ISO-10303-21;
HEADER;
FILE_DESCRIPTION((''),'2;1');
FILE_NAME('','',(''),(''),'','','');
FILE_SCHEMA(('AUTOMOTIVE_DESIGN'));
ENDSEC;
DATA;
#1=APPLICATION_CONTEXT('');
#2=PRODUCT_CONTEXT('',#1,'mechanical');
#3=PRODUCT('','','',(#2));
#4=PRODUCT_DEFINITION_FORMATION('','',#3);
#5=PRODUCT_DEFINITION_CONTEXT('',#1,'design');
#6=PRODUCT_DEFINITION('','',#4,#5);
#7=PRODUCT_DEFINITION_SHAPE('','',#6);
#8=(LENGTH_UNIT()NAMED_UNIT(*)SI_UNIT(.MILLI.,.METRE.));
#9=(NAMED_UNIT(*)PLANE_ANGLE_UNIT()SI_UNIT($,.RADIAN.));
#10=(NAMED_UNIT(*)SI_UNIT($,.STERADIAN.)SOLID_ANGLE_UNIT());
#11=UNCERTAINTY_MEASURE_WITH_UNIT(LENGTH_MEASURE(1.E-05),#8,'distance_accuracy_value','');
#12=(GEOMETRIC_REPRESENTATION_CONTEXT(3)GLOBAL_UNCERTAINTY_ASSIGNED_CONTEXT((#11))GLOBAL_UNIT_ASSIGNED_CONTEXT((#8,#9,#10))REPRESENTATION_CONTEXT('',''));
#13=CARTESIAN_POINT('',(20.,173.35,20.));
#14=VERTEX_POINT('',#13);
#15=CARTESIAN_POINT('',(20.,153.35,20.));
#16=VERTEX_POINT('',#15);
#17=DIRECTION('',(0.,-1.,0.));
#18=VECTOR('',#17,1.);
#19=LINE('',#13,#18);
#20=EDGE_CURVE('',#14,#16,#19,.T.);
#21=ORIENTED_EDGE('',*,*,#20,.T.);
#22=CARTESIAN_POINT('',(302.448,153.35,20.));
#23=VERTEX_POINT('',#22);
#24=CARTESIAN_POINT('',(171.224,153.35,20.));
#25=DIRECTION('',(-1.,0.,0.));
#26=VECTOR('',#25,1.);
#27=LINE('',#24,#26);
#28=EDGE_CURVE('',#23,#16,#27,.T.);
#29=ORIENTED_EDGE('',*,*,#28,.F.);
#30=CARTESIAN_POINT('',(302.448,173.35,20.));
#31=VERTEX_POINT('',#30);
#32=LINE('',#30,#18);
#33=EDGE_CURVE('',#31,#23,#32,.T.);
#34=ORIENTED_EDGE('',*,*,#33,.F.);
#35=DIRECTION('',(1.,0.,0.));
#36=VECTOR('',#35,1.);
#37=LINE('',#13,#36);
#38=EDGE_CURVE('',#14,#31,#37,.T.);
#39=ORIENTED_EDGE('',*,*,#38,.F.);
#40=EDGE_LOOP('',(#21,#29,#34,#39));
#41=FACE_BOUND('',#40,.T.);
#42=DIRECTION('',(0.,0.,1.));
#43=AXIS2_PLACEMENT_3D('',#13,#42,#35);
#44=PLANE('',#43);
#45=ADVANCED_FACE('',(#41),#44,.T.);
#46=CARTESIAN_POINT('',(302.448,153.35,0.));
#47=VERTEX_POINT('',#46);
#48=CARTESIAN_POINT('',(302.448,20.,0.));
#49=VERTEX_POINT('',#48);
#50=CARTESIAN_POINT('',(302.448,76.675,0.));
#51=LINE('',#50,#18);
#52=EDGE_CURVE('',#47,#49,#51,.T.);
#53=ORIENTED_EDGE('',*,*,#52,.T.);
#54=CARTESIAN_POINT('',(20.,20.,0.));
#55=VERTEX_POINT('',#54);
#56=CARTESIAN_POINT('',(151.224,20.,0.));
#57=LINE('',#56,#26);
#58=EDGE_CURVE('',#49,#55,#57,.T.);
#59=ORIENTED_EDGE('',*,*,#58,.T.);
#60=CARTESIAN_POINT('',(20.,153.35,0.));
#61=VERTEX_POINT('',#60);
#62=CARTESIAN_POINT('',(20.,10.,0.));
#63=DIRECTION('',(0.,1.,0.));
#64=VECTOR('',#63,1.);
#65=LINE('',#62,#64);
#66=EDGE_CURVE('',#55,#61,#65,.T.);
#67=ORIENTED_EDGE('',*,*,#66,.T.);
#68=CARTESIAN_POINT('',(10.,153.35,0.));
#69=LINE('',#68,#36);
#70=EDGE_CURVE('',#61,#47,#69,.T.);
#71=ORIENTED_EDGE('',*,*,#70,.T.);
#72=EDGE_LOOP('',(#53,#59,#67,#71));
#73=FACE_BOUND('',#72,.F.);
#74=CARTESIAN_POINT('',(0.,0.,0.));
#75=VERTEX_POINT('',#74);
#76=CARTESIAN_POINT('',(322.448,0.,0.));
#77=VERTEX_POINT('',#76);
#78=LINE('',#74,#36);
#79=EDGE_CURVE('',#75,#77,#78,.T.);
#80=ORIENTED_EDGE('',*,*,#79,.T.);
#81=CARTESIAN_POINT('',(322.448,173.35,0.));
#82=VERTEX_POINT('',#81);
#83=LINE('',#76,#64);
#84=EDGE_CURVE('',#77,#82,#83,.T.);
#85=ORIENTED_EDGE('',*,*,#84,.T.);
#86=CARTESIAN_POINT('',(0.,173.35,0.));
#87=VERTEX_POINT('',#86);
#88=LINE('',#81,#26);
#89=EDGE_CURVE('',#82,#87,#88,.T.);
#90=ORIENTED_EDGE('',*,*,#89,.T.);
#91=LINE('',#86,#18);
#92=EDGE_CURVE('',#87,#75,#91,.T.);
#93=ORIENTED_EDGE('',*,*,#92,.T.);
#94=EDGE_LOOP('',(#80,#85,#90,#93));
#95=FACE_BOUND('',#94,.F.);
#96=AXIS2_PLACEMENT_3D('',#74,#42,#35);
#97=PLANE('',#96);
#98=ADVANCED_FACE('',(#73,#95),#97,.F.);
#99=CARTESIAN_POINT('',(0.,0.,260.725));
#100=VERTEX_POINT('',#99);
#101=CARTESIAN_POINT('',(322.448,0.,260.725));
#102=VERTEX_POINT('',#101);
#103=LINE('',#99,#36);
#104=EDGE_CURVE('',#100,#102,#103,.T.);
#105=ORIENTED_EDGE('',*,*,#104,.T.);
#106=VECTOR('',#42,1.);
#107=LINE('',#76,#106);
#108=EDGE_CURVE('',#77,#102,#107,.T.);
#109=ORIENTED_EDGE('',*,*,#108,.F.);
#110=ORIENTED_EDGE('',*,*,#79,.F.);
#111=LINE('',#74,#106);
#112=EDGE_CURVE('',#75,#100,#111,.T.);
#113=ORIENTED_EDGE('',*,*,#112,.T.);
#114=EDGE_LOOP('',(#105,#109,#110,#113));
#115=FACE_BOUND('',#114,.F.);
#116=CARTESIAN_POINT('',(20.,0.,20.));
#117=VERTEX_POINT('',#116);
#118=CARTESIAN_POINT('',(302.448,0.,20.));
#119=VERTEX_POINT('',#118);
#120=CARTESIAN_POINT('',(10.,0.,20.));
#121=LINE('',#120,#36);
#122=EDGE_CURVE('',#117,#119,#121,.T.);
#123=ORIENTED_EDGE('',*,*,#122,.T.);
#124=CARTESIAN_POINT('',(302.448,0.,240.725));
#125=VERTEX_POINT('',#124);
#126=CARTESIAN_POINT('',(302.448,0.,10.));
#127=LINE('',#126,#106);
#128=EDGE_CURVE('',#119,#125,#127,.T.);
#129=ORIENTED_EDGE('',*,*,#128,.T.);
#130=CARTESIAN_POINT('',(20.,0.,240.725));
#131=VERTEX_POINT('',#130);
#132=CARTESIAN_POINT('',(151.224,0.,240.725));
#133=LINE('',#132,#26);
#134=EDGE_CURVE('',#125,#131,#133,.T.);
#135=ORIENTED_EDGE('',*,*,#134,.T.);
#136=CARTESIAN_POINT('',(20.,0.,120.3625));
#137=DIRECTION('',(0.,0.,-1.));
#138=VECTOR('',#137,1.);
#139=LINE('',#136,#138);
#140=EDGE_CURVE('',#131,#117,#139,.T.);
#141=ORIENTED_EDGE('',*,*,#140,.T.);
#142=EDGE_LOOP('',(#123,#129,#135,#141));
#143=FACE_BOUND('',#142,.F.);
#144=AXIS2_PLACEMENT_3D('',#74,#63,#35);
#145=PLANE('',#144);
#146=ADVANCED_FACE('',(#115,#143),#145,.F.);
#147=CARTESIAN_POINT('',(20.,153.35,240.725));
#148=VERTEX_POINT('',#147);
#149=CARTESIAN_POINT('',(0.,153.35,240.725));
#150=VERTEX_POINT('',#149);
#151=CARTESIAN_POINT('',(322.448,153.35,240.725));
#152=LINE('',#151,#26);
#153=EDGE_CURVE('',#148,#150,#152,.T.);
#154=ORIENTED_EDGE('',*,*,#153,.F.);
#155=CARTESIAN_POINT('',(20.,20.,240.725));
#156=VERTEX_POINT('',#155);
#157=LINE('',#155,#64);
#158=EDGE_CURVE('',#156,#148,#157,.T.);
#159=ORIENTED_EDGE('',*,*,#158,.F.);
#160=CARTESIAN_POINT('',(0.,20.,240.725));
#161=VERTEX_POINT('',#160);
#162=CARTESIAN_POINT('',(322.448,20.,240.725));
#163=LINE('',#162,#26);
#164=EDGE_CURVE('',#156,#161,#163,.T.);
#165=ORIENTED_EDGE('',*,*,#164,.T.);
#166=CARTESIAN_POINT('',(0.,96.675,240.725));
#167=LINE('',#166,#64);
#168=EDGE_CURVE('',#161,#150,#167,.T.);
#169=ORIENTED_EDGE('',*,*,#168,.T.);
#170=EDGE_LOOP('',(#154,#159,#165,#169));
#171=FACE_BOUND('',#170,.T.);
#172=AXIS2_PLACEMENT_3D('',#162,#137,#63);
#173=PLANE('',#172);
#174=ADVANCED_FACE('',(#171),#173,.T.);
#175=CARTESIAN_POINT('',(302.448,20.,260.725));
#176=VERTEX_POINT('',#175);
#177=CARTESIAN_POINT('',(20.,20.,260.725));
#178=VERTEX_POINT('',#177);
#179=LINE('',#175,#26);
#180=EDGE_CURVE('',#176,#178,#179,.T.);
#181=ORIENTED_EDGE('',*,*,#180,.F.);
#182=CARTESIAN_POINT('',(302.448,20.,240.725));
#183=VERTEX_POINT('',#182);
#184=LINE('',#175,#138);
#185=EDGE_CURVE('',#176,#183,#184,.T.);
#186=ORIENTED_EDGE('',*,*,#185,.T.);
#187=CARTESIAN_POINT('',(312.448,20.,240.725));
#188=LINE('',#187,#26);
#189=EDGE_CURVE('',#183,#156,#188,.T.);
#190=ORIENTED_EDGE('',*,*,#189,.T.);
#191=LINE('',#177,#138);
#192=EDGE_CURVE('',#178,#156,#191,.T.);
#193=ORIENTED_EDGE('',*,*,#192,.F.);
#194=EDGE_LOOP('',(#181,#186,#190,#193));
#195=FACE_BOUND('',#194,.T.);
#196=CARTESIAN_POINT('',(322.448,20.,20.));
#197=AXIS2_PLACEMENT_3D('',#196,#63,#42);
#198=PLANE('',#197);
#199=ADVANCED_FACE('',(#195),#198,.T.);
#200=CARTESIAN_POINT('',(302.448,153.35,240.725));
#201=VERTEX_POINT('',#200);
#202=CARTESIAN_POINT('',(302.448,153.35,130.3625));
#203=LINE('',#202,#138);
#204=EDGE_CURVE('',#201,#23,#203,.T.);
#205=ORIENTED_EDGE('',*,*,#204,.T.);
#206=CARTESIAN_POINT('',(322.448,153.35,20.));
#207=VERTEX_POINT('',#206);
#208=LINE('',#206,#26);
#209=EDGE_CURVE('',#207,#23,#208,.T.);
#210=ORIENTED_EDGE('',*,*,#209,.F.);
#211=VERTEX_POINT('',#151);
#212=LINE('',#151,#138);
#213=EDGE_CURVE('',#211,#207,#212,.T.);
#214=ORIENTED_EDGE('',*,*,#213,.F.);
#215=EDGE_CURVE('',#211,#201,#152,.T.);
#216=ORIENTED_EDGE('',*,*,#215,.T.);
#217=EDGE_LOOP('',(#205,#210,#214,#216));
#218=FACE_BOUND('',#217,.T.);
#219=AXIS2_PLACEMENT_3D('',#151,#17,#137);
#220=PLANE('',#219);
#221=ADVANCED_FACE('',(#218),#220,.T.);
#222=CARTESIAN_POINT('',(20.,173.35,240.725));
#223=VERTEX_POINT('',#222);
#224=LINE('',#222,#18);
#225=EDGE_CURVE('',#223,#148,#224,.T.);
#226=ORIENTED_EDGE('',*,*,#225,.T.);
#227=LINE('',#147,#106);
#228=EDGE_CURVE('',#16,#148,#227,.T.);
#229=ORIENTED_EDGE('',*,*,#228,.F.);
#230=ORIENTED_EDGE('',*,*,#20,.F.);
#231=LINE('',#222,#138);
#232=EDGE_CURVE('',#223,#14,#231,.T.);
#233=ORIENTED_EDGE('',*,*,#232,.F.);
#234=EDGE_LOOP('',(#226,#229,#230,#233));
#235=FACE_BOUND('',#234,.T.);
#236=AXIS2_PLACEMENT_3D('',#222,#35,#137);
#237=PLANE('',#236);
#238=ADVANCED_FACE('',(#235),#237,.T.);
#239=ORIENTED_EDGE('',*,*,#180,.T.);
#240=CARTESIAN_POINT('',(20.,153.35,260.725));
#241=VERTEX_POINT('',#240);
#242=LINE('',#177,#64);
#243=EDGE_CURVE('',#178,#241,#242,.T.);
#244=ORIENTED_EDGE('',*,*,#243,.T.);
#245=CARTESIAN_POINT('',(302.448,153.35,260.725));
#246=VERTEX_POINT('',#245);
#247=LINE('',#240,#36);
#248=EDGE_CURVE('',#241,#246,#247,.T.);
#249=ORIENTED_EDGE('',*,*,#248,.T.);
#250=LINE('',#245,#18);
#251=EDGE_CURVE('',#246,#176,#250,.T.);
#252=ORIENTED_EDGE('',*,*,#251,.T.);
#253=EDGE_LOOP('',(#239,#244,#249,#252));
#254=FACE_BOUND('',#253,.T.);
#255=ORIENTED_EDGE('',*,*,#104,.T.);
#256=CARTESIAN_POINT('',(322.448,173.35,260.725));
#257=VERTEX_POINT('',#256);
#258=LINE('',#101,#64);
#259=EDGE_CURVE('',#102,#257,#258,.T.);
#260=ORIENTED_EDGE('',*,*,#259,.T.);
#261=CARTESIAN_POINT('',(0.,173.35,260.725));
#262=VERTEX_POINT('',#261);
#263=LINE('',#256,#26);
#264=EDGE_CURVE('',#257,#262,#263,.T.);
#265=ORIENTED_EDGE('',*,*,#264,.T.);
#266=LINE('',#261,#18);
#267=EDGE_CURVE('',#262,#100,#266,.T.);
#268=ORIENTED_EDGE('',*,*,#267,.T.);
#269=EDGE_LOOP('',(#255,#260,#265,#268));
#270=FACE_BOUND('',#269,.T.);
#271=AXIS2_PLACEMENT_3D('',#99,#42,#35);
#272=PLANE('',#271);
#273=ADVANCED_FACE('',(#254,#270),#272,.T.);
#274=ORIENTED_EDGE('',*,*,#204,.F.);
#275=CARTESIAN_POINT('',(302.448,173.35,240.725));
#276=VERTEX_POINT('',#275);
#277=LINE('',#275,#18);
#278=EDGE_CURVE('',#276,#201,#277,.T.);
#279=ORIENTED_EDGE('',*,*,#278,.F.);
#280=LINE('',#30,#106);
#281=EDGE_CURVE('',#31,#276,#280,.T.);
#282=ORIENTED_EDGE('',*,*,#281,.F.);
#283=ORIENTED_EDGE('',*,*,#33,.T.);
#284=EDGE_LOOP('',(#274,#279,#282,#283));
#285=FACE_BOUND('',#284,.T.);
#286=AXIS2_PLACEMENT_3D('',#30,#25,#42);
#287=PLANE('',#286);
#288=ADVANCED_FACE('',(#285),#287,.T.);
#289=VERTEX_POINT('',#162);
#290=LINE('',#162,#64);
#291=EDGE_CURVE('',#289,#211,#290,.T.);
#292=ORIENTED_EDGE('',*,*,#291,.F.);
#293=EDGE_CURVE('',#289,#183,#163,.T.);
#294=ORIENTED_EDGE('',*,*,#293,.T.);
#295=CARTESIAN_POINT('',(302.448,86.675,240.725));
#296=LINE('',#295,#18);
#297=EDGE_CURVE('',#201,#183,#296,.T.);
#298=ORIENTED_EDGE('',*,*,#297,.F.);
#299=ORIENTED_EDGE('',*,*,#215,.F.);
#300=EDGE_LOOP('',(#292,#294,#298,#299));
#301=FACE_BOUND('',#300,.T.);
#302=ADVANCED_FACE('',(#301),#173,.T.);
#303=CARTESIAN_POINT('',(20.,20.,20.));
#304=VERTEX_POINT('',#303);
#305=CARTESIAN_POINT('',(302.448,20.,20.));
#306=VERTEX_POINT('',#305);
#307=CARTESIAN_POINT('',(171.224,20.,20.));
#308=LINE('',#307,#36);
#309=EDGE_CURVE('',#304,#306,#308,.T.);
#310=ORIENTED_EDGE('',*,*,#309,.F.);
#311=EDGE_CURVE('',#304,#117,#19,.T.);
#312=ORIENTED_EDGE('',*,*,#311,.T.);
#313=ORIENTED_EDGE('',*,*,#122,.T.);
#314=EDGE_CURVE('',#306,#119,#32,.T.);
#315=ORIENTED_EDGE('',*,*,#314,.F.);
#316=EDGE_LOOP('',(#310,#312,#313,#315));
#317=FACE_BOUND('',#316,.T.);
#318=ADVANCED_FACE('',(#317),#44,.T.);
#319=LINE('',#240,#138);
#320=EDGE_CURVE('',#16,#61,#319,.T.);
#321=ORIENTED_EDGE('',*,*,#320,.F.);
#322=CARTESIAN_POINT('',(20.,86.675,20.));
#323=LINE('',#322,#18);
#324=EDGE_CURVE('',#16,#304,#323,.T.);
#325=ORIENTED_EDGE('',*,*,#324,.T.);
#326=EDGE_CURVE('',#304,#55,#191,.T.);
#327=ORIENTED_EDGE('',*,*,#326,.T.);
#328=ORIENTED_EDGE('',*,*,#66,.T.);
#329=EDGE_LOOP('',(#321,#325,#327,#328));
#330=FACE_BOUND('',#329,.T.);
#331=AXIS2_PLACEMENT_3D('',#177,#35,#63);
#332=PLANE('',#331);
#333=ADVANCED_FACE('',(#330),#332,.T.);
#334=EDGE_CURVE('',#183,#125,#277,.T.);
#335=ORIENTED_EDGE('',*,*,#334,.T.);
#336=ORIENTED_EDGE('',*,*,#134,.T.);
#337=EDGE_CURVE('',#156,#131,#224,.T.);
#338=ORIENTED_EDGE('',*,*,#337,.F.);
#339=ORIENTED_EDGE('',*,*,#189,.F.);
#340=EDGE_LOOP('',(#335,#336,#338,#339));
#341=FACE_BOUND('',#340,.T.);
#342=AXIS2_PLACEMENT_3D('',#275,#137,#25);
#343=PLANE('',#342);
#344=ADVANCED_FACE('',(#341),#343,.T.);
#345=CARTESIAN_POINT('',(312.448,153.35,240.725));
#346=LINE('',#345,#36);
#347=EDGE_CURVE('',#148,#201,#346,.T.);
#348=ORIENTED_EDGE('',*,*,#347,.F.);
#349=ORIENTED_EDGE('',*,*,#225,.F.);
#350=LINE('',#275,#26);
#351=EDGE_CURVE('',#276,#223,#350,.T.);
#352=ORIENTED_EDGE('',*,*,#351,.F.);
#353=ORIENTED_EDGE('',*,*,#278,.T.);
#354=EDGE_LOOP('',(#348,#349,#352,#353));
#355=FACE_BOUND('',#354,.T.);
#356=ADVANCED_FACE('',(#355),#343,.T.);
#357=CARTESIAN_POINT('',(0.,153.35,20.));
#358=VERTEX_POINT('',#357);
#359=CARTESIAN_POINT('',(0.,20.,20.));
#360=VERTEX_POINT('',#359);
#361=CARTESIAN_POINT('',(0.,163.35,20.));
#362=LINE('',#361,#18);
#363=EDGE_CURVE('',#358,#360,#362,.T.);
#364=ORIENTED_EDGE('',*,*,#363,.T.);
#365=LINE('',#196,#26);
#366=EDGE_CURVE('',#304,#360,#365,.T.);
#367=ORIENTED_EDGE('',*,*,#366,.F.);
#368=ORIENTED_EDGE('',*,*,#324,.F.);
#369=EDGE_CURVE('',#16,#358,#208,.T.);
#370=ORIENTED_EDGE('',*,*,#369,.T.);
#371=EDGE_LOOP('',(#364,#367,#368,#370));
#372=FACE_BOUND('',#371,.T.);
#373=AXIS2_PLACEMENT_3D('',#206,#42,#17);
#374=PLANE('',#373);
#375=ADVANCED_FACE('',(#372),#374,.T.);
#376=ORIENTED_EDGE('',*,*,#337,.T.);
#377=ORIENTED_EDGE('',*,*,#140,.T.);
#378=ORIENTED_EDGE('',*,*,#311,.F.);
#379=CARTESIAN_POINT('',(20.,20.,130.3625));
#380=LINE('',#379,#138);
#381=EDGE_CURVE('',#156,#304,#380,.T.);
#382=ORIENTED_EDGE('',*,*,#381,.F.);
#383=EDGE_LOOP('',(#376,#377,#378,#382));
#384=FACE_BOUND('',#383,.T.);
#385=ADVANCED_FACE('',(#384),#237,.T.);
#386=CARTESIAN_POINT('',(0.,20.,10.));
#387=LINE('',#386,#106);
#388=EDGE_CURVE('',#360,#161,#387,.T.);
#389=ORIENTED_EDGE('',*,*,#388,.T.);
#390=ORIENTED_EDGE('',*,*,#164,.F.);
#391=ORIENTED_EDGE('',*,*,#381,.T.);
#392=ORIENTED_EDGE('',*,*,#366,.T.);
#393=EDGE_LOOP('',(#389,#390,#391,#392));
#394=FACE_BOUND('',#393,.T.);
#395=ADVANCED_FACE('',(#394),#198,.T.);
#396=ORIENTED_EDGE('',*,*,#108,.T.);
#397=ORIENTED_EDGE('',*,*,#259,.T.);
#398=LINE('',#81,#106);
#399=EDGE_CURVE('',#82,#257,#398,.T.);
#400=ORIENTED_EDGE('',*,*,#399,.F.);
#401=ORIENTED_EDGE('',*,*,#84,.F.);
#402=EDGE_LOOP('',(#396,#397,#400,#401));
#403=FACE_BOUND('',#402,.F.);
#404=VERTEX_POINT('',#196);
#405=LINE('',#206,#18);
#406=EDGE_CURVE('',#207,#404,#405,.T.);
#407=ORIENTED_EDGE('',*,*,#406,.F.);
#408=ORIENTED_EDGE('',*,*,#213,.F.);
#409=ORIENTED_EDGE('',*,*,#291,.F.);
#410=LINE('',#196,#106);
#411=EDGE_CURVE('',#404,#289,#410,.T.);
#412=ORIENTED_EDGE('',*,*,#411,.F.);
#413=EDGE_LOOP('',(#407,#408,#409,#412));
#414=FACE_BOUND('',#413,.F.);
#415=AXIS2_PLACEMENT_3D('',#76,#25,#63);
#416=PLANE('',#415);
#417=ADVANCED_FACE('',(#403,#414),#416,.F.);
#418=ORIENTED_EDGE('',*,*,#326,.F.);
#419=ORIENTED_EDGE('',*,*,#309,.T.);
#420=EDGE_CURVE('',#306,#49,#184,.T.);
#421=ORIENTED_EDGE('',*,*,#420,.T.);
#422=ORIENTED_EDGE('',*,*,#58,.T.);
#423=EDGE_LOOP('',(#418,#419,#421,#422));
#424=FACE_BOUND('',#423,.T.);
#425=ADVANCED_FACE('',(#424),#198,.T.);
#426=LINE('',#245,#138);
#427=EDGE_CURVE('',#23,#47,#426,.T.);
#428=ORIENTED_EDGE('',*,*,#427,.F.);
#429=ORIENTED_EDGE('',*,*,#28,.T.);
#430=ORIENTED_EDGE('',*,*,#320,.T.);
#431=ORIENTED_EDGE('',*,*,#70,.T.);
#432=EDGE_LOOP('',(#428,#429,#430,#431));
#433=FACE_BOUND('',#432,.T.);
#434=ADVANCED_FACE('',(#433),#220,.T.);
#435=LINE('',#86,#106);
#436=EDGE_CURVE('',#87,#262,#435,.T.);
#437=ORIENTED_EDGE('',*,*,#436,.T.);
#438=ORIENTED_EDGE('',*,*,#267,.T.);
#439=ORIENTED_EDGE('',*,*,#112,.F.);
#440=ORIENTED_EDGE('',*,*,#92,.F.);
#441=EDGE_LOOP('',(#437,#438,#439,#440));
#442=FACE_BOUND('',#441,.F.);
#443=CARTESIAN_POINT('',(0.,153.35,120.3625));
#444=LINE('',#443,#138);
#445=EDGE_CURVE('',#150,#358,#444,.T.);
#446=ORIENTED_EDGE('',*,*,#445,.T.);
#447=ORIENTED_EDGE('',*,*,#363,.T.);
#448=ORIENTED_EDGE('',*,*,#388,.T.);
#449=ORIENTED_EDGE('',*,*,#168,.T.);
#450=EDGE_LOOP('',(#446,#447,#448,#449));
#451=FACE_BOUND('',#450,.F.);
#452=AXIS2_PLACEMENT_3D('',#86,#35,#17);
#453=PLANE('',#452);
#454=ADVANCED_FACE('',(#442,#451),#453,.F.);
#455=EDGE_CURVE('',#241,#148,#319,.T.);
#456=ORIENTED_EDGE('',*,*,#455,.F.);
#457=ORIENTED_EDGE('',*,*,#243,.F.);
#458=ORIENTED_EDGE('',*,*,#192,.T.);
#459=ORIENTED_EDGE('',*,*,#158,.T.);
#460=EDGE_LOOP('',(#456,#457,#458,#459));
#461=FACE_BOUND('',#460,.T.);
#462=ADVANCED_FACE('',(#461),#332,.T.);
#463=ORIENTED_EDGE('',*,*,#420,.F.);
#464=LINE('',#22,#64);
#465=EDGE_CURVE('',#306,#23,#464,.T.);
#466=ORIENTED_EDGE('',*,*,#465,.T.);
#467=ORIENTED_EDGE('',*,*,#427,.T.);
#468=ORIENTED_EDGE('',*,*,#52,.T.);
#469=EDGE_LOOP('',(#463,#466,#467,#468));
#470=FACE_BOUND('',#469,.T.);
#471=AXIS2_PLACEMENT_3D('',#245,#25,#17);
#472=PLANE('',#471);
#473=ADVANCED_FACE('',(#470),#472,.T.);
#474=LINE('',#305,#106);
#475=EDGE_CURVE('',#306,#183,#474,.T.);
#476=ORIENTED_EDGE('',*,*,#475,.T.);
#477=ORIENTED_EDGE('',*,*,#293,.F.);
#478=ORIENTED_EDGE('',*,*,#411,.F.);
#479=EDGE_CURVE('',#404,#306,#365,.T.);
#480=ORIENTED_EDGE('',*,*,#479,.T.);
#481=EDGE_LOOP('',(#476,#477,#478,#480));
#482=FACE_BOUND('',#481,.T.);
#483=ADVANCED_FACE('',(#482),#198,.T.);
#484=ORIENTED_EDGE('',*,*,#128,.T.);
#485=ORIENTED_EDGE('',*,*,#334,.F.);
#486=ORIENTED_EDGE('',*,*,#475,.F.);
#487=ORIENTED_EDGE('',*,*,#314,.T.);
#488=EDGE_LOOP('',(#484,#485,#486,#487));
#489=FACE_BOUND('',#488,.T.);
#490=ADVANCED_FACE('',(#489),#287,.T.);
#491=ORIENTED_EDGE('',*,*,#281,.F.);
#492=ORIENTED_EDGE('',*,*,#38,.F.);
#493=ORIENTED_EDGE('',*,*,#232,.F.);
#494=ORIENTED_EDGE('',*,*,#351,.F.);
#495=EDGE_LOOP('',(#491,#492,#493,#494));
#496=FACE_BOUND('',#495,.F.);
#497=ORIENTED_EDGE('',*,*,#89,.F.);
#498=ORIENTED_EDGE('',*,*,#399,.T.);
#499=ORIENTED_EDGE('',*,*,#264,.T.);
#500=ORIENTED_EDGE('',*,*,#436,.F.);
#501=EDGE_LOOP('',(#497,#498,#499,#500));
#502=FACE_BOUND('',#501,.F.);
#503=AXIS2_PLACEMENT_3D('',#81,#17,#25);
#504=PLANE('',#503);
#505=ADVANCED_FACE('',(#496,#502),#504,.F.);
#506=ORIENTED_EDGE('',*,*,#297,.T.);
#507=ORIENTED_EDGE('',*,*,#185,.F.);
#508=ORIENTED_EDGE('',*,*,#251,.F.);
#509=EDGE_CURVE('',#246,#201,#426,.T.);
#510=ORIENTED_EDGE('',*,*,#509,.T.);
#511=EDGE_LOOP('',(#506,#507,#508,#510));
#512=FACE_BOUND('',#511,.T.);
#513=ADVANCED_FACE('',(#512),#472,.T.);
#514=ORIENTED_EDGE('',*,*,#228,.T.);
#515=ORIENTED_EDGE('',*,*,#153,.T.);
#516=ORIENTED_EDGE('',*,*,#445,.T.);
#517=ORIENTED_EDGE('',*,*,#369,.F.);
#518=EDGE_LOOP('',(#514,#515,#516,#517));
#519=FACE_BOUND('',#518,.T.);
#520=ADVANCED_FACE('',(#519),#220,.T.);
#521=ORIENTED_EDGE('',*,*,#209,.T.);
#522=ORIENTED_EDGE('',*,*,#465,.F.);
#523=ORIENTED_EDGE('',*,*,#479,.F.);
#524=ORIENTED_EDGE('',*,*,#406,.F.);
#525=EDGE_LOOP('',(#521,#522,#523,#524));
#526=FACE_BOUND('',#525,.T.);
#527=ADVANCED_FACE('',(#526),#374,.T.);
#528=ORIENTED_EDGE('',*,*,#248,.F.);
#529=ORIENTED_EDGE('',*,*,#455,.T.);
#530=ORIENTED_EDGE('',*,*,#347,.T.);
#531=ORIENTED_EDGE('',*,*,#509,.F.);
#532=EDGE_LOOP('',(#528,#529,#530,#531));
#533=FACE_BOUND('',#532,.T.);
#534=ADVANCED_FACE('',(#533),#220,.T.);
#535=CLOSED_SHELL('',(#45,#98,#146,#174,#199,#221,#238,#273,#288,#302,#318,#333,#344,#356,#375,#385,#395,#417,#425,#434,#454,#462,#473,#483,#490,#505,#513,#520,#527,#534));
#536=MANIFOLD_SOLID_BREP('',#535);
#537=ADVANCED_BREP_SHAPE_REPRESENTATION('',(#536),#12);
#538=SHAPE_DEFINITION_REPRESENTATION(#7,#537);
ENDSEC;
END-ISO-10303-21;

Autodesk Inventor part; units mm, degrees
ref_plane "YZ Plane" through (0, 0, 0) normal (1, 0, 0) x (0, 1, 0)
ref_plane "XZ Plane" through (0, 0, 0) normal (0, 1, 0) x (-1, 0, 0)
ref_plane "XY Plane" through (0, 0, 0) normal (0, 0, 1) x (1, 0, 0)
sketch "Sketch1" plane through (0, 0, 0) normal (0, 0, 1) x (1, 0, 0)
  line L0 (0, 0) -> (322.448, 0)
  line L1 (322.448, 0) -> (322.448, 173.35)
  line L2 (322.448, 173.35) -> (0, 173.35)
  line L3 (0, 173.35) -> (0, 0)
  dimension "d0" = 322.448
  dimension "d1" = 173.35
extrude "Extrusion1" add sketch "Sketch1" along normal blind 260.725
sketch "Sketch2" plane through (0, 0, 260.725) normal (0, 0, 1) x (1, 0, 0)
  line L0 (20, 153.35) -> (302.448, 153.35)
  line L1 (302.448, 153.35) -> (302.448, 20)
  line L2 (302.448, 20) -> (20, 20)
  line L3 (20, 20) -> (20, 153.35)
  line L4 (322.448, 173.35) -> (0, 173.35) projected
  line L5 (0, 173.35) -> (0, 0) projected
  line L6 (0, 0) -> (322.448, 0) projected
  line L7 (322.448, 0) -> (322.448, 173.35) projected
  dimension "d4" = 20
  dimension "d5" = 20
  dimension "d6" = 20
  dimension "d7" = 20
extrude "Extrusion2" cut sketch "Sketch2" against normal blind 900 contours L0 L1 L2 L3
sketch "Sketch3" plane through (322.448, 0, 0) normal (1, 0, 0) x (0, 0, -1)
  line L0 (-240.725, 153.35) -> (-20, 153.35)
  line L1 (-20, 153.35) -> (-20, 20)
  line L2 (-20, 20) -> (-240.725, 20)
  line L3 (-240.725, 20) -> (-240.725, 153.35)
  line L4 (0, 173.35) -> (-260.725, 173.35) projected
  line L5 (-260.725, 0) -> (-260.725, 173.35) projected
  line L6 (0, 0) -> (-260.725, 0) projected
  line L7 (0, 0) -> (0, 173.35) projected
  dimension "d10" = 20
  dimension "d11" = 20
  dimension "d12" = 20
  dimension "d13" = 20
extrude "Extrusion3" cut sketch "Sketch3" against normal blind 900 contours L0 L1 L2 L3
sketch "Sketch4" plane through (0, 173.35, 0) normal (0, 1, 0) x (1, 0, 0)
  line L0 (20, -20) -> (302.448, -20)
  line L1 (302.448, -20) -> (302.448, -240.725)
  line L2 (302.448, -240.725) -> (20, -240.725)
  line L3 (20, -240.725) -> (20, -20)
  line L4 (322.448, 0) -> (0, 0) projected
  line L5 (0, 0) -> (0, -260.725) projected
  line L6 (322.448, 0) -> (322.448, -260.725) projected
  line L7 (322.448, -260.725) -> (0, -260.725) projected
  dimension "d16" = 20
  dimension "d17" = 20
  dimension "d18" = 20
  dimension "d19" = 20
extrude "Extrusion4" cut sketch "Sketch4" against normal blind 900 contours L0 L1 L2 L3
properties part number "Turning motor housing"
